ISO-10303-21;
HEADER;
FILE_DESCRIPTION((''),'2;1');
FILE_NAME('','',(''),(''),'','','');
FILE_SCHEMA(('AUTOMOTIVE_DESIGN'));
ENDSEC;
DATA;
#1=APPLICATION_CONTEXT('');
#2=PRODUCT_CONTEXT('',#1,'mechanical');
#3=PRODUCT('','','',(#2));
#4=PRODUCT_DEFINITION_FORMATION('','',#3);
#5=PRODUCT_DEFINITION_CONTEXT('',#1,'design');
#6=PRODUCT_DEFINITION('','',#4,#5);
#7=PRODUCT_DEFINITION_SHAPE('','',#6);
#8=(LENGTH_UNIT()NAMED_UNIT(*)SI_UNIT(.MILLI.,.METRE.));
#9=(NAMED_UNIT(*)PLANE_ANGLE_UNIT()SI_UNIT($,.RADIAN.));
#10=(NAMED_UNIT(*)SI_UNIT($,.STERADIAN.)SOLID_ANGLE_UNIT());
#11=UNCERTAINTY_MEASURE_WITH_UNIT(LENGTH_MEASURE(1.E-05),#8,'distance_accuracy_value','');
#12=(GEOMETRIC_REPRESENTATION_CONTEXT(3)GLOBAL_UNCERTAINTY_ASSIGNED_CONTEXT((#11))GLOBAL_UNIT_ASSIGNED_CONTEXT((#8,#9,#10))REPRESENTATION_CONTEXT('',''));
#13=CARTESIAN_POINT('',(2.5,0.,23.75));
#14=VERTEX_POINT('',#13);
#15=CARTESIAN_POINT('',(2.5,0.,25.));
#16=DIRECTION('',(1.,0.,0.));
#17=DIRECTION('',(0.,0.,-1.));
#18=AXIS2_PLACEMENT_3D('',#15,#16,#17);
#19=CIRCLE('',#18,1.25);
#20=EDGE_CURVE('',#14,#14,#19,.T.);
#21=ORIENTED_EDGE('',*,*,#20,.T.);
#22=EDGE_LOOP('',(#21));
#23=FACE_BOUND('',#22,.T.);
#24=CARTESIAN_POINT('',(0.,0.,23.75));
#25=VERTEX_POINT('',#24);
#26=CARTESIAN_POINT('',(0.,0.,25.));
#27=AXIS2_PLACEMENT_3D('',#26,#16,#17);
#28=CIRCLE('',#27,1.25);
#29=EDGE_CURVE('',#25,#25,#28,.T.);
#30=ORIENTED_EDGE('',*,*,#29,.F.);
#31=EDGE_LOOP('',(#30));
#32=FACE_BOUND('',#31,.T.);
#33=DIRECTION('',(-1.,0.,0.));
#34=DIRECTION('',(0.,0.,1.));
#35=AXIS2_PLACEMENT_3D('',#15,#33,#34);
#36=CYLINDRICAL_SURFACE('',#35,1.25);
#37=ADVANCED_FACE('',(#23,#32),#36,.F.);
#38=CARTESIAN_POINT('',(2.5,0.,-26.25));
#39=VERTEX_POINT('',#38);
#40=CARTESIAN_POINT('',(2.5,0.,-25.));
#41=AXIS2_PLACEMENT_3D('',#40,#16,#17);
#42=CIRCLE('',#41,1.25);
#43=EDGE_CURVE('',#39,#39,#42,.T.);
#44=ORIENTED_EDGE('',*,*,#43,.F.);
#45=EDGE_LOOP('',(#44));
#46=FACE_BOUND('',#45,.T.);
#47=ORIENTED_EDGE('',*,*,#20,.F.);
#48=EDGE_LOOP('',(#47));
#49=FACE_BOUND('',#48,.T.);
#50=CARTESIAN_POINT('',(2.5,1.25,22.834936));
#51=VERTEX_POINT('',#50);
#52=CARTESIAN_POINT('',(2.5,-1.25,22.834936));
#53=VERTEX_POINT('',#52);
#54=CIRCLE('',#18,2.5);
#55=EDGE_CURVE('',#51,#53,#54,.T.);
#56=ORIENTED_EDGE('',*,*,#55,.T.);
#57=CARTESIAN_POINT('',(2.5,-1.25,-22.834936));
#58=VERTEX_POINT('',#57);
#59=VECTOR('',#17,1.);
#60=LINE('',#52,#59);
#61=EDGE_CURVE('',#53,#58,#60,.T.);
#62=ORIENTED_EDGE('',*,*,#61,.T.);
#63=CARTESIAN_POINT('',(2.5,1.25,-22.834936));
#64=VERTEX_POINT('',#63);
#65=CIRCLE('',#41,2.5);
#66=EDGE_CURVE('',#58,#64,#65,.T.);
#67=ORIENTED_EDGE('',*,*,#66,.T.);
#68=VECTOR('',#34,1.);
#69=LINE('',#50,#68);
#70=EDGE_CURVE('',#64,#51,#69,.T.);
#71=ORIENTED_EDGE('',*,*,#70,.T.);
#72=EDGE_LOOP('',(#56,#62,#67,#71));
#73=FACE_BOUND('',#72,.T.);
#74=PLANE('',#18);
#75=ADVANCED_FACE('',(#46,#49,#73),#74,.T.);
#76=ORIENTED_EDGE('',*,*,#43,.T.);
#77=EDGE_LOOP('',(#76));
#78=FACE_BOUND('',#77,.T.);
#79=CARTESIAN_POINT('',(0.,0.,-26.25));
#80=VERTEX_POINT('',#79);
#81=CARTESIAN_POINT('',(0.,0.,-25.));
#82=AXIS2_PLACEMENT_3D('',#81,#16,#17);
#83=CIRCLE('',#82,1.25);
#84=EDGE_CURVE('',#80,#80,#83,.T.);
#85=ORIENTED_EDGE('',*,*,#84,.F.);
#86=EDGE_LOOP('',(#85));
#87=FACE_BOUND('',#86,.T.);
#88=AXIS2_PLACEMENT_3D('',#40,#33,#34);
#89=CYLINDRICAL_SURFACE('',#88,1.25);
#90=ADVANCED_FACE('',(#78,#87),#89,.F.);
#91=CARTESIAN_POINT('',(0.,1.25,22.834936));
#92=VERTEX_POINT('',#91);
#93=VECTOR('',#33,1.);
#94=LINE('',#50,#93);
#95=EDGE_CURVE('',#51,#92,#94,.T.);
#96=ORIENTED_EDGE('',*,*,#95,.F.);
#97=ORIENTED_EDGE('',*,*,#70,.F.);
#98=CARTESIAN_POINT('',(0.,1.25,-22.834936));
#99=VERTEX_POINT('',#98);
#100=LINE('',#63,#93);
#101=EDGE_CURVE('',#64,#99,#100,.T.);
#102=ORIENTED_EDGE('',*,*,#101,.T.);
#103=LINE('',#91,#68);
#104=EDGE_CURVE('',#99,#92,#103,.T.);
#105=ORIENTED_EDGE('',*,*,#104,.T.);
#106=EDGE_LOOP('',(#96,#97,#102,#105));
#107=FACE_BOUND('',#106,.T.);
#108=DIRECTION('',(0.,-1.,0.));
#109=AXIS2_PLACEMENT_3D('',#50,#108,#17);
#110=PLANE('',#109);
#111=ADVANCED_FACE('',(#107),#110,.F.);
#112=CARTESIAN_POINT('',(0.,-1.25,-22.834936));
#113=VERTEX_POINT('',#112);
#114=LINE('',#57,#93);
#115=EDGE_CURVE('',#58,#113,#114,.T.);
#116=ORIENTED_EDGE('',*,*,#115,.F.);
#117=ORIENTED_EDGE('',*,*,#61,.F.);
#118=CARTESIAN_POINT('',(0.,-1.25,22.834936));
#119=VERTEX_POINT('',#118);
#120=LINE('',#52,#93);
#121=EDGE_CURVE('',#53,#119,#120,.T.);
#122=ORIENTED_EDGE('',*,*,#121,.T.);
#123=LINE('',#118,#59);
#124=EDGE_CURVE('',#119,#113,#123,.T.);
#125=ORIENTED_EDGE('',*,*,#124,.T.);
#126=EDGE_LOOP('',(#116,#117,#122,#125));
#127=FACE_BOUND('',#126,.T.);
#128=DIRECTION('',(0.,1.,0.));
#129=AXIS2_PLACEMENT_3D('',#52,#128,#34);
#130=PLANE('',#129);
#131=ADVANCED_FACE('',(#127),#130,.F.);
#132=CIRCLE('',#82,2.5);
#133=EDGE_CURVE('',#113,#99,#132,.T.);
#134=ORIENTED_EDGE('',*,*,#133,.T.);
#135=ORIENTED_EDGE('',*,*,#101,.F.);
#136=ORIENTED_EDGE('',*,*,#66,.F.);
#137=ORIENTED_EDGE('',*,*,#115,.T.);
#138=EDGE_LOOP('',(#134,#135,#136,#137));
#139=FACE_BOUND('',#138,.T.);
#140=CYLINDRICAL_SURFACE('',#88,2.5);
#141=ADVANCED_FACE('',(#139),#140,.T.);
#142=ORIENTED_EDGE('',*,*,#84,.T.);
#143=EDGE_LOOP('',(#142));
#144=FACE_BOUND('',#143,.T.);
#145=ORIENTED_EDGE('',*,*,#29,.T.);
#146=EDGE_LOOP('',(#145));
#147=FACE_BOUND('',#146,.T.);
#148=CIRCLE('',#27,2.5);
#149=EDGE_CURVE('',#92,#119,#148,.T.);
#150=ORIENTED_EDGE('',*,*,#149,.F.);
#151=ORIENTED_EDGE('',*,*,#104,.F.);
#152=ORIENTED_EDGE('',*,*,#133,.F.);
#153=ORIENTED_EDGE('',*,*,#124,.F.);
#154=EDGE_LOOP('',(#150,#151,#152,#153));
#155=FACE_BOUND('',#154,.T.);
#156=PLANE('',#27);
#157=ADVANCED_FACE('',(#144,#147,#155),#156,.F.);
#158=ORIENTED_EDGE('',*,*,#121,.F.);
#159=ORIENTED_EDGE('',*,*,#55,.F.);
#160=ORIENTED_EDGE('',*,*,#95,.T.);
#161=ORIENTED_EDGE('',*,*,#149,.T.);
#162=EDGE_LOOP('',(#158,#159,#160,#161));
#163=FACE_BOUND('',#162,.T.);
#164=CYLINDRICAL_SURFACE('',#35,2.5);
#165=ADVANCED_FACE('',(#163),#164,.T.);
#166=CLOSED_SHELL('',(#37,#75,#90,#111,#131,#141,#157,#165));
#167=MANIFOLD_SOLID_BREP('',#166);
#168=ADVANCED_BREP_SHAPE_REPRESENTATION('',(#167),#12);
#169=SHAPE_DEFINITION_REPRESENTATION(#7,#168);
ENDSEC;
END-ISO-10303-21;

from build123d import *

# Parameters (mm, degrees)
SKETCH_1_R      = 1.25
EXTRUDE_1_DEPTH = 2.5


with BuildPart() as part:
    # 스케치1 → 보스-돌출1 (new body)
    with BuildSketch(Plane(origin=(0, 0, 0), x_dir=(0, 0, -1), z_dir=(1, 0, 0))):
        with BuildLine():
            Line((-22.834936491, 1.25), (22.834936491, 1.25))
            ThreePointArc((22.834936491, 1.25), (27.5, 0), (22.834936491, -1.25))
            Line((22.834936491, -1.25), (-22.834936491, -1.25))
            ThreePointArc((-22.834936491, -1.25), (-27.5, 0), (-22.834936491, 1.25))
        make_face()
        with Locations((-25, 0)):
            Circle(SKETCH_1_R, mode=Mode.SUBTRACT)
        with Locations((25, 0)):
            Circle(SKETCH_1_R, mode=Mode.SUBTRACT)
    extrude(amount=EXTRUDE_1_DEPTH)


solid = part.part
